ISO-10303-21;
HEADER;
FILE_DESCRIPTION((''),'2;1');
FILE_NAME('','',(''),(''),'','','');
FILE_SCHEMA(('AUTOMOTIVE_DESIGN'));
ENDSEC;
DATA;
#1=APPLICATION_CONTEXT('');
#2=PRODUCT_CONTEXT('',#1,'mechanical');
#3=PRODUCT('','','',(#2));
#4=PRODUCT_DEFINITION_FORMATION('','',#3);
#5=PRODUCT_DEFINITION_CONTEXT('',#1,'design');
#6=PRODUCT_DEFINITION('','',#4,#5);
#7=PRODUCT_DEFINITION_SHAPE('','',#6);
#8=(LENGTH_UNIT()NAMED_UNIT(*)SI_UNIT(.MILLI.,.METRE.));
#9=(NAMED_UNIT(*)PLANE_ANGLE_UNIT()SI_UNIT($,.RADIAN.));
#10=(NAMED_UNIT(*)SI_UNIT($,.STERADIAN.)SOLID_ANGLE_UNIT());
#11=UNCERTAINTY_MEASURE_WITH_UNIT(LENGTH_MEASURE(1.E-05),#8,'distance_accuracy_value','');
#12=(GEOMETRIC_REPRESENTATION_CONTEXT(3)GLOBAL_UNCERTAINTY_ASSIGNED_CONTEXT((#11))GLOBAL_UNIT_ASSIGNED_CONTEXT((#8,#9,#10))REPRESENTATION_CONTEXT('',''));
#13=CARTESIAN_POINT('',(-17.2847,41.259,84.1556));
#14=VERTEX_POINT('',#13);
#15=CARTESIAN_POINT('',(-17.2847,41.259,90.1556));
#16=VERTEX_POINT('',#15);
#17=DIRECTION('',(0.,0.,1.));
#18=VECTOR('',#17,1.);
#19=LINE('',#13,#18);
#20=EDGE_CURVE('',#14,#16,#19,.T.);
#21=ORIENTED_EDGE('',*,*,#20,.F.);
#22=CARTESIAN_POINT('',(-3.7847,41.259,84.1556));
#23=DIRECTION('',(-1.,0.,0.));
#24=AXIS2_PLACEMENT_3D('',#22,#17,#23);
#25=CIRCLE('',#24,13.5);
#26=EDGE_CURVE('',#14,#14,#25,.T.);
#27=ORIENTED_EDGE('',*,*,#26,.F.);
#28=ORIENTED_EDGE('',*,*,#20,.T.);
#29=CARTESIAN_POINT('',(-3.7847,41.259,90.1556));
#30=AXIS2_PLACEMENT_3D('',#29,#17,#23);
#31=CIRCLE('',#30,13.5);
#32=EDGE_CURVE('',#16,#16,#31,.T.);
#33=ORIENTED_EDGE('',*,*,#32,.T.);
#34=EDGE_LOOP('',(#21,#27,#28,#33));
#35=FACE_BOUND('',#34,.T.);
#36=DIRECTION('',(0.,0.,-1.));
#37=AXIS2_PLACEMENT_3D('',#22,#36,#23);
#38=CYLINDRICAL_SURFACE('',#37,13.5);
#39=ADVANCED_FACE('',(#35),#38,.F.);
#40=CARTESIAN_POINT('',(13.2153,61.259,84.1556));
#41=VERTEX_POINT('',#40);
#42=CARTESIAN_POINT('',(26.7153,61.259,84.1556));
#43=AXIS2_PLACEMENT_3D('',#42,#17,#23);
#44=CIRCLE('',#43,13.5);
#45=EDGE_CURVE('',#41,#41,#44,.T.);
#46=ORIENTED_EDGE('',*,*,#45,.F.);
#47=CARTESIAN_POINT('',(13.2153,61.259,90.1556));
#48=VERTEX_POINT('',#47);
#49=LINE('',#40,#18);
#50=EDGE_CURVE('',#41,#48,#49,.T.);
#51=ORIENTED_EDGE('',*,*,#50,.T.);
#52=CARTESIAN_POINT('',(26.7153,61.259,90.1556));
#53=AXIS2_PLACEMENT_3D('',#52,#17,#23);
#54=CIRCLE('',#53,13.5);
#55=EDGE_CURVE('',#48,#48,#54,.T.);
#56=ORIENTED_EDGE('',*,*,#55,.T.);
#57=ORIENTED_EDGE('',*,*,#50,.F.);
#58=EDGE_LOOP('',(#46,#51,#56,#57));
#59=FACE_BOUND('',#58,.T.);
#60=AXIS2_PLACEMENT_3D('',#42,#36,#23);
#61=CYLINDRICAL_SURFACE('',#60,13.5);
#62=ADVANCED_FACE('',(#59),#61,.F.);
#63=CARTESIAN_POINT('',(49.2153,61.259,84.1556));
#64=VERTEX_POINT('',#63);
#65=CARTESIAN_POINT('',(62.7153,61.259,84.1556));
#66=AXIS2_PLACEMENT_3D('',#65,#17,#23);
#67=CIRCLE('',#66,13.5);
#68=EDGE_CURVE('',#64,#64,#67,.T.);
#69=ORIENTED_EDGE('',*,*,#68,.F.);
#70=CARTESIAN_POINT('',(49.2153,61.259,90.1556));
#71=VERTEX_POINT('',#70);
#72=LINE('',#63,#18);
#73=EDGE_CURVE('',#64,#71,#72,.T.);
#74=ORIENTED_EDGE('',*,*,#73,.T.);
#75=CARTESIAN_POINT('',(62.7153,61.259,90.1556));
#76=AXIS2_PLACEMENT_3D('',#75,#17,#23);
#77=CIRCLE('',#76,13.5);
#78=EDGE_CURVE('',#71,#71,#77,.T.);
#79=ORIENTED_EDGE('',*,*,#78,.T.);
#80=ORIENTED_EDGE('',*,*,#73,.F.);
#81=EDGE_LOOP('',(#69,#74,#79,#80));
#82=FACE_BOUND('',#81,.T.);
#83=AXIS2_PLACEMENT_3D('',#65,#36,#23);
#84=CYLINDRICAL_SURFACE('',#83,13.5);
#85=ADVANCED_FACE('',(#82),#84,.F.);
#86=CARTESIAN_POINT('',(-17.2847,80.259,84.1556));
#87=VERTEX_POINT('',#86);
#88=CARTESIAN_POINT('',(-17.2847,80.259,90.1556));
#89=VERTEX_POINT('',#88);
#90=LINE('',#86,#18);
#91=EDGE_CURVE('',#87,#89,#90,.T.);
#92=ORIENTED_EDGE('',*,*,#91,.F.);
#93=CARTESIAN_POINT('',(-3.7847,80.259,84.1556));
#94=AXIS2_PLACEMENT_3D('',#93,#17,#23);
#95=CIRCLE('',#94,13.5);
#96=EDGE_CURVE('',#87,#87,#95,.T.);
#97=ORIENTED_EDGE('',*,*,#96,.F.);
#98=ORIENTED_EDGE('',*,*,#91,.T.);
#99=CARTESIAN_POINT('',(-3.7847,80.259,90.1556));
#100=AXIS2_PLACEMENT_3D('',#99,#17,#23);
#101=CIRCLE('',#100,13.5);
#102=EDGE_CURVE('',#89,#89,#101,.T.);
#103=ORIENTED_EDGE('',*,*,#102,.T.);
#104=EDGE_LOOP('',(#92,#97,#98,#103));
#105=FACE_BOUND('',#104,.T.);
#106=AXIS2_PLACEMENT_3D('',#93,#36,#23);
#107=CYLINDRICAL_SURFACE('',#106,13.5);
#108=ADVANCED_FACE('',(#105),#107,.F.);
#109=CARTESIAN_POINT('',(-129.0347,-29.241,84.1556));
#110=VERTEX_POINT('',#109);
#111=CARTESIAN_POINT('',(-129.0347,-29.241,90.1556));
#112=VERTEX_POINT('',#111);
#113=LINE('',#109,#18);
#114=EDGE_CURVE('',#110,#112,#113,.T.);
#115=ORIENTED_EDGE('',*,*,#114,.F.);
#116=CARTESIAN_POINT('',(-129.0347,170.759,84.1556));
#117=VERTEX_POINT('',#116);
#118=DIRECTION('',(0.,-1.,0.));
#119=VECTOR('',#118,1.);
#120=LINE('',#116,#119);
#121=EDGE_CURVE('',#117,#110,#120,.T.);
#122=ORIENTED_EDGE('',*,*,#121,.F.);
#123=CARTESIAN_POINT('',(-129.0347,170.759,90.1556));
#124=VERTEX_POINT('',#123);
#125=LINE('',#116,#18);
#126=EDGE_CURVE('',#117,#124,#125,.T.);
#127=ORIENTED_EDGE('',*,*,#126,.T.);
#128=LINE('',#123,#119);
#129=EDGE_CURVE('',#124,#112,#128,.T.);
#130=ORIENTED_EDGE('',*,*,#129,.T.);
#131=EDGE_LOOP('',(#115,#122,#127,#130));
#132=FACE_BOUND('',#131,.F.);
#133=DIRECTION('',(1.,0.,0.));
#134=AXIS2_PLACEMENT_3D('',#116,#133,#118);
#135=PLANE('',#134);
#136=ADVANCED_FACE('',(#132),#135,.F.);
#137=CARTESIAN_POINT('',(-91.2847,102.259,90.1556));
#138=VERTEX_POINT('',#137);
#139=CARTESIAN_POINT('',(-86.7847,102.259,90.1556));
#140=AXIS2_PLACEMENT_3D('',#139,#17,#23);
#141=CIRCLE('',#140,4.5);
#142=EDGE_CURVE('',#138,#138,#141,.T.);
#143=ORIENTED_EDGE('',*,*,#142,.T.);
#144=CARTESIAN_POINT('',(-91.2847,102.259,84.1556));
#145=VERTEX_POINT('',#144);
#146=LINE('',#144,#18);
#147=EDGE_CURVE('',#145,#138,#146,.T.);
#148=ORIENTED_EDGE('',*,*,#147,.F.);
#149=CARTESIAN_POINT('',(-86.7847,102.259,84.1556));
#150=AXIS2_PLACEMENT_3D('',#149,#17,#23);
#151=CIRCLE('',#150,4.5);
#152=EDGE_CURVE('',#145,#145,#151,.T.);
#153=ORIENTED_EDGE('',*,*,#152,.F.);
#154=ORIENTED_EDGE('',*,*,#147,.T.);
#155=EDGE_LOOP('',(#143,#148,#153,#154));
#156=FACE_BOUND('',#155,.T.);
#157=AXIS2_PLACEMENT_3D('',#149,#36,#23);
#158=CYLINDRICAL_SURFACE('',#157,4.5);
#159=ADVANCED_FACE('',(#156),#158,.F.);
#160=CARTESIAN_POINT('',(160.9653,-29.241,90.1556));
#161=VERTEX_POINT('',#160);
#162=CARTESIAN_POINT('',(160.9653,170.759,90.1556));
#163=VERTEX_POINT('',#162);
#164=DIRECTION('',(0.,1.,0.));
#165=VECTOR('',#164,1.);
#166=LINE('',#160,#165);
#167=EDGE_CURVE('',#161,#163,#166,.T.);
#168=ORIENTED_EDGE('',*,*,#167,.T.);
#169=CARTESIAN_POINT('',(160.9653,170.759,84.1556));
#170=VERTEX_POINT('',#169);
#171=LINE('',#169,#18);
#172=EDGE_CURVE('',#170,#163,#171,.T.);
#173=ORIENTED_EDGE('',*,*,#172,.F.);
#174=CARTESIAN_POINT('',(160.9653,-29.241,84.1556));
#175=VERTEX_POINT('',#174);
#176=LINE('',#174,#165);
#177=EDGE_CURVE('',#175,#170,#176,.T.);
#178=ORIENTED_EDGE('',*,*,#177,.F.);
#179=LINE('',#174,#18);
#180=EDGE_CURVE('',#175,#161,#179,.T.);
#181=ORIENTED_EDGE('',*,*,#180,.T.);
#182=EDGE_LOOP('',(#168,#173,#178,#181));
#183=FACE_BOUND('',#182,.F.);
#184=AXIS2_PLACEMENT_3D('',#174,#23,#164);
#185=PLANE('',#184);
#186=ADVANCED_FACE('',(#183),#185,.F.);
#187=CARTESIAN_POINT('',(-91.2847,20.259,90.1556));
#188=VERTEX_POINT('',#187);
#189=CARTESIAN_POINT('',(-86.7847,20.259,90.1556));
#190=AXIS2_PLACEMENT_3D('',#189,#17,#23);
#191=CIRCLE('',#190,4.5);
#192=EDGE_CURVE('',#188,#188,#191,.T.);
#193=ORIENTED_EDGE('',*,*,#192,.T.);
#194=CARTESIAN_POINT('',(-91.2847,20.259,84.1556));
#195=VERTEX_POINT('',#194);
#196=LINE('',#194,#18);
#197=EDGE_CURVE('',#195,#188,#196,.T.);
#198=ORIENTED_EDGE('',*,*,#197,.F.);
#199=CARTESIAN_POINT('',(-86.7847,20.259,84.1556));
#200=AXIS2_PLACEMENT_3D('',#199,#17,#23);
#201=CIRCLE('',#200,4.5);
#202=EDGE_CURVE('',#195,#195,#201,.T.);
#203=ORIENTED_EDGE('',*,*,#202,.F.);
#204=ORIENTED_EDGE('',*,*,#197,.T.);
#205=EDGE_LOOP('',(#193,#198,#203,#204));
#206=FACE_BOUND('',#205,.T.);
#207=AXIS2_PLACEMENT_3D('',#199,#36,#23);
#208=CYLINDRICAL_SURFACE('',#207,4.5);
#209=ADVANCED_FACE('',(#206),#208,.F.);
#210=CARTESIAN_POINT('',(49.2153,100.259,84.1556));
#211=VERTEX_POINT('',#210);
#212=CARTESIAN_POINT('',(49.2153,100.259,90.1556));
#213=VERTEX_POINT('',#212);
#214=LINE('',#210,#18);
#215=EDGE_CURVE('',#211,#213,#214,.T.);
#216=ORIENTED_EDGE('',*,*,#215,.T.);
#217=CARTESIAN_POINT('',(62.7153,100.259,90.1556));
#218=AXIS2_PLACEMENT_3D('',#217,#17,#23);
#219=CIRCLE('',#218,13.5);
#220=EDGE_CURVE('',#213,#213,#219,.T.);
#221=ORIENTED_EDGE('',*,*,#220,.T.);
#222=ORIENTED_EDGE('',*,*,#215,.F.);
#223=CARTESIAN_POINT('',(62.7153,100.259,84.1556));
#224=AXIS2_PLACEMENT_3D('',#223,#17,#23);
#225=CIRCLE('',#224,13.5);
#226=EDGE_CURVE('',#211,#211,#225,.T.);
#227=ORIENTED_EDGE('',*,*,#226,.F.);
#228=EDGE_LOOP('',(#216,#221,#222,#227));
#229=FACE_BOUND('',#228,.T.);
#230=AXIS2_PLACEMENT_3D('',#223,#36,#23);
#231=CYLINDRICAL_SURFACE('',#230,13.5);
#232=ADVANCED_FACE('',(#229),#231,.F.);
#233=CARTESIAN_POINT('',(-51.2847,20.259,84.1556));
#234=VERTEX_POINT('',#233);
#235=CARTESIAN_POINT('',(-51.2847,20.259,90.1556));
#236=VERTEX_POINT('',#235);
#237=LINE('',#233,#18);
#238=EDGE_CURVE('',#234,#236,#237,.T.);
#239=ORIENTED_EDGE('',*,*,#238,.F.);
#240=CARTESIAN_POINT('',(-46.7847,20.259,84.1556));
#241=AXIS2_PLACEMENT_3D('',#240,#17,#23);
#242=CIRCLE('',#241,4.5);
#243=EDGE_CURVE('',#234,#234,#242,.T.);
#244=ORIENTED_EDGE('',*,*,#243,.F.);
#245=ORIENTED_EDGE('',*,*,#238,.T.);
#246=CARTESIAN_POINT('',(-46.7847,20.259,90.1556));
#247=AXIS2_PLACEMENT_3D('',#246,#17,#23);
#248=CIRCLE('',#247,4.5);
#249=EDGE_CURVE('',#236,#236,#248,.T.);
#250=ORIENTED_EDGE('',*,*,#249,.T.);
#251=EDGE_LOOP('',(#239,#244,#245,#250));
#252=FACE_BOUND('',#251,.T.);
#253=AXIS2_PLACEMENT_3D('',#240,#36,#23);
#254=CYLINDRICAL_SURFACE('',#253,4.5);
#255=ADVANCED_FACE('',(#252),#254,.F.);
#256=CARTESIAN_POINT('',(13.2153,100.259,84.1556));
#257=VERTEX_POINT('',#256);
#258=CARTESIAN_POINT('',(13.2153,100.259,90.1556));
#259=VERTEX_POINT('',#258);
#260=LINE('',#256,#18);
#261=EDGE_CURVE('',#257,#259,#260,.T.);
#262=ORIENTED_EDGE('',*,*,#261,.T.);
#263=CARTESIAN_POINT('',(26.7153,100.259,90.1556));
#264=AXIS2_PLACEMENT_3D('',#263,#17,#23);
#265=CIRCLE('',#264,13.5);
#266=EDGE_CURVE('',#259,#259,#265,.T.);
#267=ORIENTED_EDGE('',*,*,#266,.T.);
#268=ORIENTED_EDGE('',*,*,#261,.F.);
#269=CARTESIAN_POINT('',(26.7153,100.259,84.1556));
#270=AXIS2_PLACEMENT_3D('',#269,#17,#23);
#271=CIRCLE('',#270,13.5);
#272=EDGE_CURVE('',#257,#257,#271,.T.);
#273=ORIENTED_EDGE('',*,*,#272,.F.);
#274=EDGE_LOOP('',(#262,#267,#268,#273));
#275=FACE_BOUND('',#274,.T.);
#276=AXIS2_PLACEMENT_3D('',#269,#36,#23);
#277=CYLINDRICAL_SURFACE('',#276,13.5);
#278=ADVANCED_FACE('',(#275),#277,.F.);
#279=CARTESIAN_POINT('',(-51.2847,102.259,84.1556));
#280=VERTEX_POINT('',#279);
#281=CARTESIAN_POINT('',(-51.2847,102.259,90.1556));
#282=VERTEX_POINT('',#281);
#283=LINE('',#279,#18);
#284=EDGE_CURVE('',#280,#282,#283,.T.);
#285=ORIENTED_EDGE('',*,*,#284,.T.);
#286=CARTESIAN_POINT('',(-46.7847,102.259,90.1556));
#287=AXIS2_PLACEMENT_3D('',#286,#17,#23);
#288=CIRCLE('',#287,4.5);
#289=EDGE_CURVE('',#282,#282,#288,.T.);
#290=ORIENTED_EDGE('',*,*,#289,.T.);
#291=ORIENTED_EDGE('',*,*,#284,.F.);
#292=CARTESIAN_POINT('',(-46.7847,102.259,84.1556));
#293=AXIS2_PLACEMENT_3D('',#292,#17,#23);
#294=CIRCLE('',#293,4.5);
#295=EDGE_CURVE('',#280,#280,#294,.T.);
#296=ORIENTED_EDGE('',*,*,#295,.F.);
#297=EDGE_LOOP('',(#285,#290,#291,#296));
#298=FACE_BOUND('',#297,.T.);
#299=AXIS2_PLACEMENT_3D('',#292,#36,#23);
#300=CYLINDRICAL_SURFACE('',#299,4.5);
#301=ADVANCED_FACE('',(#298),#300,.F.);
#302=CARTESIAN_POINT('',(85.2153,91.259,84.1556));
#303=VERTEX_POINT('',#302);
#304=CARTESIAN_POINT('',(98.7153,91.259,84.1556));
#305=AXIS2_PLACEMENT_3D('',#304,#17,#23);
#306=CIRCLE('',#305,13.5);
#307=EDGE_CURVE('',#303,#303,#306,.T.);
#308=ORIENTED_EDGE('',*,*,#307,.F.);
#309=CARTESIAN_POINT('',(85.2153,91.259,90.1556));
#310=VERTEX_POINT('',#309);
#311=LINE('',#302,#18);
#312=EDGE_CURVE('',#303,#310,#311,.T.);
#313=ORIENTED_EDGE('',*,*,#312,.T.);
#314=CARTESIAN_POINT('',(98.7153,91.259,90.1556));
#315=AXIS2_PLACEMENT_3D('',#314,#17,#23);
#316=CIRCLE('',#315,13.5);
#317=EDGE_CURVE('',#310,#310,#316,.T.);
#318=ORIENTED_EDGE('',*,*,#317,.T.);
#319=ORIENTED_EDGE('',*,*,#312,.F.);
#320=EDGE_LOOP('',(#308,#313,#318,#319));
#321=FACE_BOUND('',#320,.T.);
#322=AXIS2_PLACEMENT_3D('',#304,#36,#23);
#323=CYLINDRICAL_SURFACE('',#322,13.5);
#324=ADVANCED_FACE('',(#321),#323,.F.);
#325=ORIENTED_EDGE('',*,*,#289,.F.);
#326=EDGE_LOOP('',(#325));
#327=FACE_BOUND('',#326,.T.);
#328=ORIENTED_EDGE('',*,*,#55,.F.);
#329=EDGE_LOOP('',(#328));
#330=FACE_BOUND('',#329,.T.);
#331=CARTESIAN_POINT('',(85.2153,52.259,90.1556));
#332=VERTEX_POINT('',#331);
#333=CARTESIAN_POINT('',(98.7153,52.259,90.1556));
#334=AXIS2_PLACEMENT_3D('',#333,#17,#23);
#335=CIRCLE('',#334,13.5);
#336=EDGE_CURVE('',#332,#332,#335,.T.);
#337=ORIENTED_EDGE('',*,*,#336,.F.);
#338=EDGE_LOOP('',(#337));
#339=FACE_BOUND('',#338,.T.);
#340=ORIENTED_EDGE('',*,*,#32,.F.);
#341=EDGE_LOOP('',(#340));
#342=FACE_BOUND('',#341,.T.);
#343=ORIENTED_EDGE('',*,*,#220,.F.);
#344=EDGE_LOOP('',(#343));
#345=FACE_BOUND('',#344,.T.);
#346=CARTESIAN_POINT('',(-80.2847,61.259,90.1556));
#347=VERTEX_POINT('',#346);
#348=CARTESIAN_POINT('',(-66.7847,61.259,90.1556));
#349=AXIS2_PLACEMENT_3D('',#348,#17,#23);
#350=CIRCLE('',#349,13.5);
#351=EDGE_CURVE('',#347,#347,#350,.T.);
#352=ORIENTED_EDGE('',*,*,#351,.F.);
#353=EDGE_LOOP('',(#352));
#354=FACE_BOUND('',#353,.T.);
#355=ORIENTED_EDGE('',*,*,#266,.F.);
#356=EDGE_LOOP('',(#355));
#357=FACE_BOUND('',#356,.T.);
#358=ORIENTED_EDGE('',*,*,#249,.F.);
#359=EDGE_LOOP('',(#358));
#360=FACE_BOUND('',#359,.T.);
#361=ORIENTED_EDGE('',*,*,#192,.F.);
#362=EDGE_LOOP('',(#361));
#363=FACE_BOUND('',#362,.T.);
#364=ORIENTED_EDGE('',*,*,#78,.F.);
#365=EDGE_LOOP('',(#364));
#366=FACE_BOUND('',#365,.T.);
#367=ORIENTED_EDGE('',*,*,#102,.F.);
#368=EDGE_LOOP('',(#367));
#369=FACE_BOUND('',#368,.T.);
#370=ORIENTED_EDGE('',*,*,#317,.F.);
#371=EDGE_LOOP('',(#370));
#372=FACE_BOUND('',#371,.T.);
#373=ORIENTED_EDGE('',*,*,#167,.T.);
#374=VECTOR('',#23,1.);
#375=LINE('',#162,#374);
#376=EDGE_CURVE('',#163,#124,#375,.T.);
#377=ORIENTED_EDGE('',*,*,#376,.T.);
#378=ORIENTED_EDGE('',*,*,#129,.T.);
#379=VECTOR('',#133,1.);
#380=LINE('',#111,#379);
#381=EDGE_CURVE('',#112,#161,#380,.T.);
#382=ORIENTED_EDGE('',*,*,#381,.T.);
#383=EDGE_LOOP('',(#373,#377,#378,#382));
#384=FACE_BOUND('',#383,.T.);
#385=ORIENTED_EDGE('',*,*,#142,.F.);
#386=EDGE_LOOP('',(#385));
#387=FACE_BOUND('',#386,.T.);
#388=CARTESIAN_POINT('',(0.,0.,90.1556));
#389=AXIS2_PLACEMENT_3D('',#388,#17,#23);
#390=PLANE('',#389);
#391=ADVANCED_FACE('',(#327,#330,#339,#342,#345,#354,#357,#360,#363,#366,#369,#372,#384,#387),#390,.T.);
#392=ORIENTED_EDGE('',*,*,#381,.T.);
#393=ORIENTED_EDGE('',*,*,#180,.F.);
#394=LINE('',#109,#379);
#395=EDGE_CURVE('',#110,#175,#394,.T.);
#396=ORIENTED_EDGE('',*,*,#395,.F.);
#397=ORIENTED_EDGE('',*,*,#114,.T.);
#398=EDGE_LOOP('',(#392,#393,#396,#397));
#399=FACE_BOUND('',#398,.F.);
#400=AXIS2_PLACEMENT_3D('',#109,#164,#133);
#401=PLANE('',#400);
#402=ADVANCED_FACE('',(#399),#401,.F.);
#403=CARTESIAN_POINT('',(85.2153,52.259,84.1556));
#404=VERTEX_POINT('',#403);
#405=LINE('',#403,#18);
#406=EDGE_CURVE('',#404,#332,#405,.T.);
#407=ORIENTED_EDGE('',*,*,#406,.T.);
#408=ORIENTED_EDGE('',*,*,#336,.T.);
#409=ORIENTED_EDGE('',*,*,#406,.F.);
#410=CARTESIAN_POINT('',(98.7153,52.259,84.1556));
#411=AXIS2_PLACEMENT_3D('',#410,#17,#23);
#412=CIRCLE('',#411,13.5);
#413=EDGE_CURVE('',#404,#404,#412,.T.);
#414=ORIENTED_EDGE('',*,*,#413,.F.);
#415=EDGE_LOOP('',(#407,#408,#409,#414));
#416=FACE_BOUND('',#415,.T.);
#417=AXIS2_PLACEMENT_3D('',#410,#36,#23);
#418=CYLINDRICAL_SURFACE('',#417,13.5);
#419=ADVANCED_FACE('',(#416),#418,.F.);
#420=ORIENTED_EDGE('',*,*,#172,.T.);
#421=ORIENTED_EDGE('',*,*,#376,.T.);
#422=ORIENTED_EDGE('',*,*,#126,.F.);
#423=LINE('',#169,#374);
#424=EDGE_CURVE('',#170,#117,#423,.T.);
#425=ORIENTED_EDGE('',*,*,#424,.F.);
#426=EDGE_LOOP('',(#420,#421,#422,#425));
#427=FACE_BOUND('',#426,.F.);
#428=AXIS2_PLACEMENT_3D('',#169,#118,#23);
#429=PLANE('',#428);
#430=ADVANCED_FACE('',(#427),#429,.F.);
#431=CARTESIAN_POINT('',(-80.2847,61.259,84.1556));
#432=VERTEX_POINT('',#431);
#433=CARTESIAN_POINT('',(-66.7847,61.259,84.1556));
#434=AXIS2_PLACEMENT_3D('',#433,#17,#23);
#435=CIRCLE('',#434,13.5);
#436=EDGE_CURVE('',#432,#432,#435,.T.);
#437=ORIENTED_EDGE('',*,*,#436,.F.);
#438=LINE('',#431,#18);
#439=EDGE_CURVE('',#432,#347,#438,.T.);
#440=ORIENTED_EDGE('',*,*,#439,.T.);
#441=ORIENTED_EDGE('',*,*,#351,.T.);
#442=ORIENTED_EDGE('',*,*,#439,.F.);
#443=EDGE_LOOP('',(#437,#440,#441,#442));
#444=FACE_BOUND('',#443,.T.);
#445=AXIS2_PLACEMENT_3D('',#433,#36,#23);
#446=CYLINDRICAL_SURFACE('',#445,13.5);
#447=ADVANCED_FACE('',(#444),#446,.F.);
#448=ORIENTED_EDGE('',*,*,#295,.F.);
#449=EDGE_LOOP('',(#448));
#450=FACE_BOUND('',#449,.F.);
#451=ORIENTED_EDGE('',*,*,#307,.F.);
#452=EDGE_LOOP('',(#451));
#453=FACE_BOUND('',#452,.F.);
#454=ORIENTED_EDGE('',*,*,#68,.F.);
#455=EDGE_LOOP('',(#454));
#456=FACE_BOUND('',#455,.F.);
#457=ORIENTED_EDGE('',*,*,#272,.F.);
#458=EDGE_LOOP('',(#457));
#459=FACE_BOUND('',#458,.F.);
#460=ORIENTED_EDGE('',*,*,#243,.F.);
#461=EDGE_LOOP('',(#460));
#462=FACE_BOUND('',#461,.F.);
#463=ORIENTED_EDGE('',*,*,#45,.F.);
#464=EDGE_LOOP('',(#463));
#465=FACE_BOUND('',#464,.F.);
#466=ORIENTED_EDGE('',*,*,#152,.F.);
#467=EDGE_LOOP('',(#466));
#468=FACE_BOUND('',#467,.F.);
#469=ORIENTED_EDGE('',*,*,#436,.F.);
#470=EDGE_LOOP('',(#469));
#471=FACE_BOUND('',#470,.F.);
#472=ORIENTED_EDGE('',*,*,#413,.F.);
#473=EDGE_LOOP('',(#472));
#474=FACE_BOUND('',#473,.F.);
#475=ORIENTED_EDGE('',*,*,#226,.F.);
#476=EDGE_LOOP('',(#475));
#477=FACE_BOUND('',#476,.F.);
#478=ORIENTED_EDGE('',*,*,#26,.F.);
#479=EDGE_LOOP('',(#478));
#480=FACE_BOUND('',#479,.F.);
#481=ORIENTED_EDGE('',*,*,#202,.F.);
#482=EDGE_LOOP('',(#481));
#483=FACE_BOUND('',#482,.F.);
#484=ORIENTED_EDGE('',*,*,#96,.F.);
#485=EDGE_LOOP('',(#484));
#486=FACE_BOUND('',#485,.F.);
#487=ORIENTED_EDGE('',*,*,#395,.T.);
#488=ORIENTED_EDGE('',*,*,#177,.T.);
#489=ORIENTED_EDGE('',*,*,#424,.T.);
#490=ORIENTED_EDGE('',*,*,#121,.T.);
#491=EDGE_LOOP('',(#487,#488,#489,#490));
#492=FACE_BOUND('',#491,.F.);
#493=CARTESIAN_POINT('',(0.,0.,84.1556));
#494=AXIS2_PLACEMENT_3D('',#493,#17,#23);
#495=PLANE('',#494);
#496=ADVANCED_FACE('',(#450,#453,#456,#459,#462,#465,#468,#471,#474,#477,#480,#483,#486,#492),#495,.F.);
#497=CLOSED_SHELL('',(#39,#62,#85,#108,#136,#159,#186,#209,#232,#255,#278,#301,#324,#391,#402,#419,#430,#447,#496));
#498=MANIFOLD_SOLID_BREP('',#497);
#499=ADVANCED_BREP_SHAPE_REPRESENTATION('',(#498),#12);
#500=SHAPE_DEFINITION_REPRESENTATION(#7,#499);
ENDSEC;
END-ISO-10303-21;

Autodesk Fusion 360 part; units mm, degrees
sketch "Sketch1" plane through (0, 0, 84.1556) normal (0, 0, 1) x (-1, 0, 0)
  circle A0 centre (86.7847, -20.259) radius 4.5
  circle A1 centre (-26.7153, -100.259) radius 13.5
  circle A2 centre (-98.7153, -52.259) radius 13.5
  circle A3 centre (-26.7153, -61.259) radius 13.5
  circle A4 centre (-62.7153, -100.259) radius 13.5
  circle A5 centre (46.7847, -20.259) radius 4.5
  circle A6 centre (46.7847, -102.259) radius 4.5
  circle A7 centre (3.7847, -80.259) radius 13.5
  circle A8 centre (-62.7153, -61.259) radius 13.5
  circle A9 centre (3.7847, -41.259) radius 13.5
  circle A10 centre (-98.7153, -91.259) radius 13.5
  circle A11 centre (66.7847, -61.259) radius 13.5
  circle A12 centre (86.7847, -102.259) radius 4.5
  line L0 (129.0347, 29.241) -> (-160.9653, 29.241)
  line L1 (-160.9653, 29.241) -> (-160.9653, -170.759)
  line L2 (-160.9653, -170.759) -> (129.0347, -170.759)
  line L3 (129.0347, -170.759) -> (129.0347, 29.241)
  circle A13 centre (66.7847, -61.259) radius 13.5
  circle A14 centre (86.7847, -102.259) radius 4.5
  circle A15 centre (46.7847, -102.259) radius 4.5
  circle A16 centre (86.7847, -20.259) radius 4.5
  circle A17 centre (46.7847, -20.259) radius 4.5
  circle A18 centre (3.7847, -41.259) radius 13.5
  circle A19 centre (3.7847, -80.259) radius 13.5
  circle A20 centre (-26.7153, -61.259) radius 13.5
  circle A21 centre (-26.7153, -100.259) radius 13.5
  circle A22 centre (-62.7153, -100.259) radius 13.5
  circle A23 centre (-62.7153, -61.259) radius 13.5
  circle A24 centre (-98.7153, -52.259) radius 13.5
  circle A25 centre (-98.7153, -91.259) radius 13.5
extrude "Extrude1" add sketch "Sketch1" along normal blind 6
equation "d148 = mat_thickness_6"
equation "mat_thickness_6 = 6 mm"
